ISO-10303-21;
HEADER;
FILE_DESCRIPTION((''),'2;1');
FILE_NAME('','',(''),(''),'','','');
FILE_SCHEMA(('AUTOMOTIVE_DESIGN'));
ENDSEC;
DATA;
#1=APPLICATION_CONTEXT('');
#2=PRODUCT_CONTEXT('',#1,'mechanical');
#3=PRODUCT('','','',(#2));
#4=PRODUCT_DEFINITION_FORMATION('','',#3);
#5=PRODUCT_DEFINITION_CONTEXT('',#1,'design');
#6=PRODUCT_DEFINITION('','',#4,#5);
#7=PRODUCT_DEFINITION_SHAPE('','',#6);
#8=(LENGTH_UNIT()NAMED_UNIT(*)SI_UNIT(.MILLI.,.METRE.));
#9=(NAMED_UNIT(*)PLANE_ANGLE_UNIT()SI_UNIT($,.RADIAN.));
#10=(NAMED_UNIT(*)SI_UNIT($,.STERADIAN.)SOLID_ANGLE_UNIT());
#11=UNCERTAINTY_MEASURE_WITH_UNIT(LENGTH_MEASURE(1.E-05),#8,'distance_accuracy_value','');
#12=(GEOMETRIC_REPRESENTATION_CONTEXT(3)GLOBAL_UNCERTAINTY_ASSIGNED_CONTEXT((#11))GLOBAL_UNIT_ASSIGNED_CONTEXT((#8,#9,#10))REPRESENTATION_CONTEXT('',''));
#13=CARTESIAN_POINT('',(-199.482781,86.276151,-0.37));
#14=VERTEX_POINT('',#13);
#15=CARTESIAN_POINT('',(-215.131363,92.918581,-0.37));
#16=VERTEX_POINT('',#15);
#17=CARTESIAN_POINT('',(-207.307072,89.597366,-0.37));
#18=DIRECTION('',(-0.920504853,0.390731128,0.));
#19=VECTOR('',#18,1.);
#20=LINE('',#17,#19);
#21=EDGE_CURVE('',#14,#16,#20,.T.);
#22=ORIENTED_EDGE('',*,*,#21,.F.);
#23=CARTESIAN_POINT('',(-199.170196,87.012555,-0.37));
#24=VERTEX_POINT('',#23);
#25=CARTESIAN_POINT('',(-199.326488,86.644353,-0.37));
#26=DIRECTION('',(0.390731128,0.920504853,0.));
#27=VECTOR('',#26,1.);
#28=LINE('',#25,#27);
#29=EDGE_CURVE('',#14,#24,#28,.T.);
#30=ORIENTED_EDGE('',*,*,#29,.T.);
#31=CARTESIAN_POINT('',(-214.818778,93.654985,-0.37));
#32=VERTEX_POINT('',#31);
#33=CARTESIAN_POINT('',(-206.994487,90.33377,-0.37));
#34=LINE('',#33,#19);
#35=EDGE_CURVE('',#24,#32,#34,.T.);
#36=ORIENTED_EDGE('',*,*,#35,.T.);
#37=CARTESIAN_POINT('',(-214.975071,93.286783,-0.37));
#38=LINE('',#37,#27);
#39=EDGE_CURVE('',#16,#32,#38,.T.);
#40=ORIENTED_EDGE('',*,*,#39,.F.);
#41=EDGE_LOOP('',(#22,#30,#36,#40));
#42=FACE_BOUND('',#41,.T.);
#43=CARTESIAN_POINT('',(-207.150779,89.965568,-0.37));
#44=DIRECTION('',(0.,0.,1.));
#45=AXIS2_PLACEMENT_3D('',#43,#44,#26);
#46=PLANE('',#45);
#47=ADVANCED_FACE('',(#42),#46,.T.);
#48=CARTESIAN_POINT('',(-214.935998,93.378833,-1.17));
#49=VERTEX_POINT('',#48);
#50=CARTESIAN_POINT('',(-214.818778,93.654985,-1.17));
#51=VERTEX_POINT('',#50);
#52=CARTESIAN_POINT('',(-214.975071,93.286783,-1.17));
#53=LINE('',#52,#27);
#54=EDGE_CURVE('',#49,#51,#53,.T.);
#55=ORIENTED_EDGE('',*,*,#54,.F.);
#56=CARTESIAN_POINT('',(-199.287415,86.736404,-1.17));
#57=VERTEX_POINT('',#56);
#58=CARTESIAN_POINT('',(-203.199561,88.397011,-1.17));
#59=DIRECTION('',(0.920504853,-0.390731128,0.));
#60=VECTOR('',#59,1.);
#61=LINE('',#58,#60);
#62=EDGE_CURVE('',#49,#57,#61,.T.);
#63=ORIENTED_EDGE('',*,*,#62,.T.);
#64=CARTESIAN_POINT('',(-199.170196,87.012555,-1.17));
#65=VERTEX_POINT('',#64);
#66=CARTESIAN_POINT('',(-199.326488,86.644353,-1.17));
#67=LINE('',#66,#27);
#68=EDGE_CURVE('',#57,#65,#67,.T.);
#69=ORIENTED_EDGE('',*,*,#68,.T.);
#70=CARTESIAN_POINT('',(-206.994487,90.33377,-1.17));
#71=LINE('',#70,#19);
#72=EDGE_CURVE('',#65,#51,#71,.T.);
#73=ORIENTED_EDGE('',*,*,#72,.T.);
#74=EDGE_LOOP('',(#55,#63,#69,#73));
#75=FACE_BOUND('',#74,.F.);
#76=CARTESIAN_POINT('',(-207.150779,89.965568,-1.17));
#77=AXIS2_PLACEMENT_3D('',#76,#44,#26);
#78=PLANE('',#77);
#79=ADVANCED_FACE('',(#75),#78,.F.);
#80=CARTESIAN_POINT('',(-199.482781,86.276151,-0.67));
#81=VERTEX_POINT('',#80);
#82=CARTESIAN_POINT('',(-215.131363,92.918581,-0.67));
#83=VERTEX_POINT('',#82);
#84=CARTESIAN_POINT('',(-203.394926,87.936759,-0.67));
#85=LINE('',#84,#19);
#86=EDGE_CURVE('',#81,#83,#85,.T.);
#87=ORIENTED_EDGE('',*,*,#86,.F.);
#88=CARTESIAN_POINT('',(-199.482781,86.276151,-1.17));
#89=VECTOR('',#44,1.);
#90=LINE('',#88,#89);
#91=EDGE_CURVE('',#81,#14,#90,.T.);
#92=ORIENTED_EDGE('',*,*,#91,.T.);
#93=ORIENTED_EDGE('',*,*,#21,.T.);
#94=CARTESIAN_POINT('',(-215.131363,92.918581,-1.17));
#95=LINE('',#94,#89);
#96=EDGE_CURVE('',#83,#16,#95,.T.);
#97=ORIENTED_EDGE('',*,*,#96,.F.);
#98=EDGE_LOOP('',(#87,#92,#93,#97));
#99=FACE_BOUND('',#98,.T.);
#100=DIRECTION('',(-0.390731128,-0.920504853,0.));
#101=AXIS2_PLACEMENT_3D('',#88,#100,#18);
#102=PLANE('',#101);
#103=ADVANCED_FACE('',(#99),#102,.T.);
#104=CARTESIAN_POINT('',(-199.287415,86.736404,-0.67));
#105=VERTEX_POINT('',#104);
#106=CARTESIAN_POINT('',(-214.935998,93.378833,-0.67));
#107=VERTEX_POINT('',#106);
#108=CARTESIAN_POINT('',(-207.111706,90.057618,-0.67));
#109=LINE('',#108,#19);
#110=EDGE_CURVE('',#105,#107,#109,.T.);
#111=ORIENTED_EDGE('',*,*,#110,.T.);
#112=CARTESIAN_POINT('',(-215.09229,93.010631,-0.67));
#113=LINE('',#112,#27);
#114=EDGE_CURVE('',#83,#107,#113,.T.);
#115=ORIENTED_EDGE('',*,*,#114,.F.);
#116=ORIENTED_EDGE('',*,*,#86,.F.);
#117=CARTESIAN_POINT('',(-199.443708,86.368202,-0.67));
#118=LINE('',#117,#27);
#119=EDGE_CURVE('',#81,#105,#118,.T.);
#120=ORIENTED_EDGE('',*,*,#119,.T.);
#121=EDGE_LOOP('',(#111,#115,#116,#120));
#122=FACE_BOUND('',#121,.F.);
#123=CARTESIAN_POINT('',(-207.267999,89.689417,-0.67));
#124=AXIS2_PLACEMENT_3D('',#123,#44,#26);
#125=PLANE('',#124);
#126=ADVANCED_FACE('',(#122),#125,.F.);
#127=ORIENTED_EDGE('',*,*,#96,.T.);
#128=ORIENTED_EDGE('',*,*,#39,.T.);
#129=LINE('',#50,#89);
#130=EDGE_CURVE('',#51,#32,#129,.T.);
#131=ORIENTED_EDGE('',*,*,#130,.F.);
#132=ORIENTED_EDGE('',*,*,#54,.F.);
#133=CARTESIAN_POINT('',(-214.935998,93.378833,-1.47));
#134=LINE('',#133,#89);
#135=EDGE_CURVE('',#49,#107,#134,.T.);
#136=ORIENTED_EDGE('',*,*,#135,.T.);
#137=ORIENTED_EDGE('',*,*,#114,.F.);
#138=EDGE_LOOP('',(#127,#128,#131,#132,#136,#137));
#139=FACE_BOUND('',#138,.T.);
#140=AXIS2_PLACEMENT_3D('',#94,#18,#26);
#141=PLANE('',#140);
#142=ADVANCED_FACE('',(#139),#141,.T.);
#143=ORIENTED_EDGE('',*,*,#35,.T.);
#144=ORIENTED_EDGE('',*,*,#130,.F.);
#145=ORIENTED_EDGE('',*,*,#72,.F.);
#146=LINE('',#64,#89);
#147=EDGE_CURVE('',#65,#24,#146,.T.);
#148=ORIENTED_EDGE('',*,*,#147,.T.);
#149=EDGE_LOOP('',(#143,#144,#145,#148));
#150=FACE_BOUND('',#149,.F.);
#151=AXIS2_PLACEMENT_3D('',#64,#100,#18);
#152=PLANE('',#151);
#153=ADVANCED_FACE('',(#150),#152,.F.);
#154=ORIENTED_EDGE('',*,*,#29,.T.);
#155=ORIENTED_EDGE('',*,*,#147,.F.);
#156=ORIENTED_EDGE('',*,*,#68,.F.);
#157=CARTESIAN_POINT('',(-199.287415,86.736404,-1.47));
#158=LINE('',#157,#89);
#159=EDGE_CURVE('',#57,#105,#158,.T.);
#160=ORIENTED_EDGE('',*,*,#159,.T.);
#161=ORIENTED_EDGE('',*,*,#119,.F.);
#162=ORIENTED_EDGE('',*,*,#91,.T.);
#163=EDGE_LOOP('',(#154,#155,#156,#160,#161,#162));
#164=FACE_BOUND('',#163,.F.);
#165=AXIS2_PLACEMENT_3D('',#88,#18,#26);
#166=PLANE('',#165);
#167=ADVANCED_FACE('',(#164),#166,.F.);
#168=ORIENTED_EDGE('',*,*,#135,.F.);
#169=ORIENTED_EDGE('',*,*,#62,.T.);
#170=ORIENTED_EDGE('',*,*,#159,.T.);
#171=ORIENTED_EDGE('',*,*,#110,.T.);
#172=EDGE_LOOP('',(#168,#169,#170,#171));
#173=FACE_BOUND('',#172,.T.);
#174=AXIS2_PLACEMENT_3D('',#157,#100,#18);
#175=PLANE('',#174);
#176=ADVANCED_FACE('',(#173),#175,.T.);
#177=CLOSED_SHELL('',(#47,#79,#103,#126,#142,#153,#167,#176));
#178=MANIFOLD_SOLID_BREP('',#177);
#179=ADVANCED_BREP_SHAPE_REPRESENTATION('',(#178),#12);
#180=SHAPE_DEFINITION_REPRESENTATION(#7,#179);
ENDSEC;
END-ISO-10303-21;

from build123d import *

# Parameters (mm, degrees)
BOX117_W               = 0.8
BOX117_H               = 17
BOX117_DEPTH           = 0.8
BOX118_W               = 0.8
BOX118_H               = 17
BOX118_DEPTH           = 0.8
CUT062_PLACEMENT_ANGLE = 67


with BuildPart() as cubo117:
    # Box117 → Box117 (new body)
    with BuildSketch(Plane.XY):
        with Locations((0.4, 8.5)):
            Rectangle(BOX117_W, BOX117_H)
    extrude(amount=BOX117_DEPTH)


with BuildPart() as perfil_l_2da_cara004:
    # Box118 → Box118 (new body)
    with BuildSketch(Plane(origin=(0.3, 0, 0.3), x_dir=(1, 0, 0), z_dir=(0, 0, 1))):
        with Locations((0.4, 8.5)):
            Rectangle(BOX118_W, BOX118_H)
    extrude(amount=BOX118_DEPTH)

    # Cut062: cut Cubo117
    add(cubo117.part, mode=Mode.SUBTRACT)


with BuildPart() as perfil_l_2da_cara004_1:
    # Cut062 placement: moved
    add(perfil_l_2da_cara004.part.moved(Location((-199.6, 86, -1.47))).rotate(Axis((-199.6, 86, -1.47), (0, 0, 1)), CUT062_PLACEMENT_ANGLE))


solid = perfil_l_2da_cara004_1.part
